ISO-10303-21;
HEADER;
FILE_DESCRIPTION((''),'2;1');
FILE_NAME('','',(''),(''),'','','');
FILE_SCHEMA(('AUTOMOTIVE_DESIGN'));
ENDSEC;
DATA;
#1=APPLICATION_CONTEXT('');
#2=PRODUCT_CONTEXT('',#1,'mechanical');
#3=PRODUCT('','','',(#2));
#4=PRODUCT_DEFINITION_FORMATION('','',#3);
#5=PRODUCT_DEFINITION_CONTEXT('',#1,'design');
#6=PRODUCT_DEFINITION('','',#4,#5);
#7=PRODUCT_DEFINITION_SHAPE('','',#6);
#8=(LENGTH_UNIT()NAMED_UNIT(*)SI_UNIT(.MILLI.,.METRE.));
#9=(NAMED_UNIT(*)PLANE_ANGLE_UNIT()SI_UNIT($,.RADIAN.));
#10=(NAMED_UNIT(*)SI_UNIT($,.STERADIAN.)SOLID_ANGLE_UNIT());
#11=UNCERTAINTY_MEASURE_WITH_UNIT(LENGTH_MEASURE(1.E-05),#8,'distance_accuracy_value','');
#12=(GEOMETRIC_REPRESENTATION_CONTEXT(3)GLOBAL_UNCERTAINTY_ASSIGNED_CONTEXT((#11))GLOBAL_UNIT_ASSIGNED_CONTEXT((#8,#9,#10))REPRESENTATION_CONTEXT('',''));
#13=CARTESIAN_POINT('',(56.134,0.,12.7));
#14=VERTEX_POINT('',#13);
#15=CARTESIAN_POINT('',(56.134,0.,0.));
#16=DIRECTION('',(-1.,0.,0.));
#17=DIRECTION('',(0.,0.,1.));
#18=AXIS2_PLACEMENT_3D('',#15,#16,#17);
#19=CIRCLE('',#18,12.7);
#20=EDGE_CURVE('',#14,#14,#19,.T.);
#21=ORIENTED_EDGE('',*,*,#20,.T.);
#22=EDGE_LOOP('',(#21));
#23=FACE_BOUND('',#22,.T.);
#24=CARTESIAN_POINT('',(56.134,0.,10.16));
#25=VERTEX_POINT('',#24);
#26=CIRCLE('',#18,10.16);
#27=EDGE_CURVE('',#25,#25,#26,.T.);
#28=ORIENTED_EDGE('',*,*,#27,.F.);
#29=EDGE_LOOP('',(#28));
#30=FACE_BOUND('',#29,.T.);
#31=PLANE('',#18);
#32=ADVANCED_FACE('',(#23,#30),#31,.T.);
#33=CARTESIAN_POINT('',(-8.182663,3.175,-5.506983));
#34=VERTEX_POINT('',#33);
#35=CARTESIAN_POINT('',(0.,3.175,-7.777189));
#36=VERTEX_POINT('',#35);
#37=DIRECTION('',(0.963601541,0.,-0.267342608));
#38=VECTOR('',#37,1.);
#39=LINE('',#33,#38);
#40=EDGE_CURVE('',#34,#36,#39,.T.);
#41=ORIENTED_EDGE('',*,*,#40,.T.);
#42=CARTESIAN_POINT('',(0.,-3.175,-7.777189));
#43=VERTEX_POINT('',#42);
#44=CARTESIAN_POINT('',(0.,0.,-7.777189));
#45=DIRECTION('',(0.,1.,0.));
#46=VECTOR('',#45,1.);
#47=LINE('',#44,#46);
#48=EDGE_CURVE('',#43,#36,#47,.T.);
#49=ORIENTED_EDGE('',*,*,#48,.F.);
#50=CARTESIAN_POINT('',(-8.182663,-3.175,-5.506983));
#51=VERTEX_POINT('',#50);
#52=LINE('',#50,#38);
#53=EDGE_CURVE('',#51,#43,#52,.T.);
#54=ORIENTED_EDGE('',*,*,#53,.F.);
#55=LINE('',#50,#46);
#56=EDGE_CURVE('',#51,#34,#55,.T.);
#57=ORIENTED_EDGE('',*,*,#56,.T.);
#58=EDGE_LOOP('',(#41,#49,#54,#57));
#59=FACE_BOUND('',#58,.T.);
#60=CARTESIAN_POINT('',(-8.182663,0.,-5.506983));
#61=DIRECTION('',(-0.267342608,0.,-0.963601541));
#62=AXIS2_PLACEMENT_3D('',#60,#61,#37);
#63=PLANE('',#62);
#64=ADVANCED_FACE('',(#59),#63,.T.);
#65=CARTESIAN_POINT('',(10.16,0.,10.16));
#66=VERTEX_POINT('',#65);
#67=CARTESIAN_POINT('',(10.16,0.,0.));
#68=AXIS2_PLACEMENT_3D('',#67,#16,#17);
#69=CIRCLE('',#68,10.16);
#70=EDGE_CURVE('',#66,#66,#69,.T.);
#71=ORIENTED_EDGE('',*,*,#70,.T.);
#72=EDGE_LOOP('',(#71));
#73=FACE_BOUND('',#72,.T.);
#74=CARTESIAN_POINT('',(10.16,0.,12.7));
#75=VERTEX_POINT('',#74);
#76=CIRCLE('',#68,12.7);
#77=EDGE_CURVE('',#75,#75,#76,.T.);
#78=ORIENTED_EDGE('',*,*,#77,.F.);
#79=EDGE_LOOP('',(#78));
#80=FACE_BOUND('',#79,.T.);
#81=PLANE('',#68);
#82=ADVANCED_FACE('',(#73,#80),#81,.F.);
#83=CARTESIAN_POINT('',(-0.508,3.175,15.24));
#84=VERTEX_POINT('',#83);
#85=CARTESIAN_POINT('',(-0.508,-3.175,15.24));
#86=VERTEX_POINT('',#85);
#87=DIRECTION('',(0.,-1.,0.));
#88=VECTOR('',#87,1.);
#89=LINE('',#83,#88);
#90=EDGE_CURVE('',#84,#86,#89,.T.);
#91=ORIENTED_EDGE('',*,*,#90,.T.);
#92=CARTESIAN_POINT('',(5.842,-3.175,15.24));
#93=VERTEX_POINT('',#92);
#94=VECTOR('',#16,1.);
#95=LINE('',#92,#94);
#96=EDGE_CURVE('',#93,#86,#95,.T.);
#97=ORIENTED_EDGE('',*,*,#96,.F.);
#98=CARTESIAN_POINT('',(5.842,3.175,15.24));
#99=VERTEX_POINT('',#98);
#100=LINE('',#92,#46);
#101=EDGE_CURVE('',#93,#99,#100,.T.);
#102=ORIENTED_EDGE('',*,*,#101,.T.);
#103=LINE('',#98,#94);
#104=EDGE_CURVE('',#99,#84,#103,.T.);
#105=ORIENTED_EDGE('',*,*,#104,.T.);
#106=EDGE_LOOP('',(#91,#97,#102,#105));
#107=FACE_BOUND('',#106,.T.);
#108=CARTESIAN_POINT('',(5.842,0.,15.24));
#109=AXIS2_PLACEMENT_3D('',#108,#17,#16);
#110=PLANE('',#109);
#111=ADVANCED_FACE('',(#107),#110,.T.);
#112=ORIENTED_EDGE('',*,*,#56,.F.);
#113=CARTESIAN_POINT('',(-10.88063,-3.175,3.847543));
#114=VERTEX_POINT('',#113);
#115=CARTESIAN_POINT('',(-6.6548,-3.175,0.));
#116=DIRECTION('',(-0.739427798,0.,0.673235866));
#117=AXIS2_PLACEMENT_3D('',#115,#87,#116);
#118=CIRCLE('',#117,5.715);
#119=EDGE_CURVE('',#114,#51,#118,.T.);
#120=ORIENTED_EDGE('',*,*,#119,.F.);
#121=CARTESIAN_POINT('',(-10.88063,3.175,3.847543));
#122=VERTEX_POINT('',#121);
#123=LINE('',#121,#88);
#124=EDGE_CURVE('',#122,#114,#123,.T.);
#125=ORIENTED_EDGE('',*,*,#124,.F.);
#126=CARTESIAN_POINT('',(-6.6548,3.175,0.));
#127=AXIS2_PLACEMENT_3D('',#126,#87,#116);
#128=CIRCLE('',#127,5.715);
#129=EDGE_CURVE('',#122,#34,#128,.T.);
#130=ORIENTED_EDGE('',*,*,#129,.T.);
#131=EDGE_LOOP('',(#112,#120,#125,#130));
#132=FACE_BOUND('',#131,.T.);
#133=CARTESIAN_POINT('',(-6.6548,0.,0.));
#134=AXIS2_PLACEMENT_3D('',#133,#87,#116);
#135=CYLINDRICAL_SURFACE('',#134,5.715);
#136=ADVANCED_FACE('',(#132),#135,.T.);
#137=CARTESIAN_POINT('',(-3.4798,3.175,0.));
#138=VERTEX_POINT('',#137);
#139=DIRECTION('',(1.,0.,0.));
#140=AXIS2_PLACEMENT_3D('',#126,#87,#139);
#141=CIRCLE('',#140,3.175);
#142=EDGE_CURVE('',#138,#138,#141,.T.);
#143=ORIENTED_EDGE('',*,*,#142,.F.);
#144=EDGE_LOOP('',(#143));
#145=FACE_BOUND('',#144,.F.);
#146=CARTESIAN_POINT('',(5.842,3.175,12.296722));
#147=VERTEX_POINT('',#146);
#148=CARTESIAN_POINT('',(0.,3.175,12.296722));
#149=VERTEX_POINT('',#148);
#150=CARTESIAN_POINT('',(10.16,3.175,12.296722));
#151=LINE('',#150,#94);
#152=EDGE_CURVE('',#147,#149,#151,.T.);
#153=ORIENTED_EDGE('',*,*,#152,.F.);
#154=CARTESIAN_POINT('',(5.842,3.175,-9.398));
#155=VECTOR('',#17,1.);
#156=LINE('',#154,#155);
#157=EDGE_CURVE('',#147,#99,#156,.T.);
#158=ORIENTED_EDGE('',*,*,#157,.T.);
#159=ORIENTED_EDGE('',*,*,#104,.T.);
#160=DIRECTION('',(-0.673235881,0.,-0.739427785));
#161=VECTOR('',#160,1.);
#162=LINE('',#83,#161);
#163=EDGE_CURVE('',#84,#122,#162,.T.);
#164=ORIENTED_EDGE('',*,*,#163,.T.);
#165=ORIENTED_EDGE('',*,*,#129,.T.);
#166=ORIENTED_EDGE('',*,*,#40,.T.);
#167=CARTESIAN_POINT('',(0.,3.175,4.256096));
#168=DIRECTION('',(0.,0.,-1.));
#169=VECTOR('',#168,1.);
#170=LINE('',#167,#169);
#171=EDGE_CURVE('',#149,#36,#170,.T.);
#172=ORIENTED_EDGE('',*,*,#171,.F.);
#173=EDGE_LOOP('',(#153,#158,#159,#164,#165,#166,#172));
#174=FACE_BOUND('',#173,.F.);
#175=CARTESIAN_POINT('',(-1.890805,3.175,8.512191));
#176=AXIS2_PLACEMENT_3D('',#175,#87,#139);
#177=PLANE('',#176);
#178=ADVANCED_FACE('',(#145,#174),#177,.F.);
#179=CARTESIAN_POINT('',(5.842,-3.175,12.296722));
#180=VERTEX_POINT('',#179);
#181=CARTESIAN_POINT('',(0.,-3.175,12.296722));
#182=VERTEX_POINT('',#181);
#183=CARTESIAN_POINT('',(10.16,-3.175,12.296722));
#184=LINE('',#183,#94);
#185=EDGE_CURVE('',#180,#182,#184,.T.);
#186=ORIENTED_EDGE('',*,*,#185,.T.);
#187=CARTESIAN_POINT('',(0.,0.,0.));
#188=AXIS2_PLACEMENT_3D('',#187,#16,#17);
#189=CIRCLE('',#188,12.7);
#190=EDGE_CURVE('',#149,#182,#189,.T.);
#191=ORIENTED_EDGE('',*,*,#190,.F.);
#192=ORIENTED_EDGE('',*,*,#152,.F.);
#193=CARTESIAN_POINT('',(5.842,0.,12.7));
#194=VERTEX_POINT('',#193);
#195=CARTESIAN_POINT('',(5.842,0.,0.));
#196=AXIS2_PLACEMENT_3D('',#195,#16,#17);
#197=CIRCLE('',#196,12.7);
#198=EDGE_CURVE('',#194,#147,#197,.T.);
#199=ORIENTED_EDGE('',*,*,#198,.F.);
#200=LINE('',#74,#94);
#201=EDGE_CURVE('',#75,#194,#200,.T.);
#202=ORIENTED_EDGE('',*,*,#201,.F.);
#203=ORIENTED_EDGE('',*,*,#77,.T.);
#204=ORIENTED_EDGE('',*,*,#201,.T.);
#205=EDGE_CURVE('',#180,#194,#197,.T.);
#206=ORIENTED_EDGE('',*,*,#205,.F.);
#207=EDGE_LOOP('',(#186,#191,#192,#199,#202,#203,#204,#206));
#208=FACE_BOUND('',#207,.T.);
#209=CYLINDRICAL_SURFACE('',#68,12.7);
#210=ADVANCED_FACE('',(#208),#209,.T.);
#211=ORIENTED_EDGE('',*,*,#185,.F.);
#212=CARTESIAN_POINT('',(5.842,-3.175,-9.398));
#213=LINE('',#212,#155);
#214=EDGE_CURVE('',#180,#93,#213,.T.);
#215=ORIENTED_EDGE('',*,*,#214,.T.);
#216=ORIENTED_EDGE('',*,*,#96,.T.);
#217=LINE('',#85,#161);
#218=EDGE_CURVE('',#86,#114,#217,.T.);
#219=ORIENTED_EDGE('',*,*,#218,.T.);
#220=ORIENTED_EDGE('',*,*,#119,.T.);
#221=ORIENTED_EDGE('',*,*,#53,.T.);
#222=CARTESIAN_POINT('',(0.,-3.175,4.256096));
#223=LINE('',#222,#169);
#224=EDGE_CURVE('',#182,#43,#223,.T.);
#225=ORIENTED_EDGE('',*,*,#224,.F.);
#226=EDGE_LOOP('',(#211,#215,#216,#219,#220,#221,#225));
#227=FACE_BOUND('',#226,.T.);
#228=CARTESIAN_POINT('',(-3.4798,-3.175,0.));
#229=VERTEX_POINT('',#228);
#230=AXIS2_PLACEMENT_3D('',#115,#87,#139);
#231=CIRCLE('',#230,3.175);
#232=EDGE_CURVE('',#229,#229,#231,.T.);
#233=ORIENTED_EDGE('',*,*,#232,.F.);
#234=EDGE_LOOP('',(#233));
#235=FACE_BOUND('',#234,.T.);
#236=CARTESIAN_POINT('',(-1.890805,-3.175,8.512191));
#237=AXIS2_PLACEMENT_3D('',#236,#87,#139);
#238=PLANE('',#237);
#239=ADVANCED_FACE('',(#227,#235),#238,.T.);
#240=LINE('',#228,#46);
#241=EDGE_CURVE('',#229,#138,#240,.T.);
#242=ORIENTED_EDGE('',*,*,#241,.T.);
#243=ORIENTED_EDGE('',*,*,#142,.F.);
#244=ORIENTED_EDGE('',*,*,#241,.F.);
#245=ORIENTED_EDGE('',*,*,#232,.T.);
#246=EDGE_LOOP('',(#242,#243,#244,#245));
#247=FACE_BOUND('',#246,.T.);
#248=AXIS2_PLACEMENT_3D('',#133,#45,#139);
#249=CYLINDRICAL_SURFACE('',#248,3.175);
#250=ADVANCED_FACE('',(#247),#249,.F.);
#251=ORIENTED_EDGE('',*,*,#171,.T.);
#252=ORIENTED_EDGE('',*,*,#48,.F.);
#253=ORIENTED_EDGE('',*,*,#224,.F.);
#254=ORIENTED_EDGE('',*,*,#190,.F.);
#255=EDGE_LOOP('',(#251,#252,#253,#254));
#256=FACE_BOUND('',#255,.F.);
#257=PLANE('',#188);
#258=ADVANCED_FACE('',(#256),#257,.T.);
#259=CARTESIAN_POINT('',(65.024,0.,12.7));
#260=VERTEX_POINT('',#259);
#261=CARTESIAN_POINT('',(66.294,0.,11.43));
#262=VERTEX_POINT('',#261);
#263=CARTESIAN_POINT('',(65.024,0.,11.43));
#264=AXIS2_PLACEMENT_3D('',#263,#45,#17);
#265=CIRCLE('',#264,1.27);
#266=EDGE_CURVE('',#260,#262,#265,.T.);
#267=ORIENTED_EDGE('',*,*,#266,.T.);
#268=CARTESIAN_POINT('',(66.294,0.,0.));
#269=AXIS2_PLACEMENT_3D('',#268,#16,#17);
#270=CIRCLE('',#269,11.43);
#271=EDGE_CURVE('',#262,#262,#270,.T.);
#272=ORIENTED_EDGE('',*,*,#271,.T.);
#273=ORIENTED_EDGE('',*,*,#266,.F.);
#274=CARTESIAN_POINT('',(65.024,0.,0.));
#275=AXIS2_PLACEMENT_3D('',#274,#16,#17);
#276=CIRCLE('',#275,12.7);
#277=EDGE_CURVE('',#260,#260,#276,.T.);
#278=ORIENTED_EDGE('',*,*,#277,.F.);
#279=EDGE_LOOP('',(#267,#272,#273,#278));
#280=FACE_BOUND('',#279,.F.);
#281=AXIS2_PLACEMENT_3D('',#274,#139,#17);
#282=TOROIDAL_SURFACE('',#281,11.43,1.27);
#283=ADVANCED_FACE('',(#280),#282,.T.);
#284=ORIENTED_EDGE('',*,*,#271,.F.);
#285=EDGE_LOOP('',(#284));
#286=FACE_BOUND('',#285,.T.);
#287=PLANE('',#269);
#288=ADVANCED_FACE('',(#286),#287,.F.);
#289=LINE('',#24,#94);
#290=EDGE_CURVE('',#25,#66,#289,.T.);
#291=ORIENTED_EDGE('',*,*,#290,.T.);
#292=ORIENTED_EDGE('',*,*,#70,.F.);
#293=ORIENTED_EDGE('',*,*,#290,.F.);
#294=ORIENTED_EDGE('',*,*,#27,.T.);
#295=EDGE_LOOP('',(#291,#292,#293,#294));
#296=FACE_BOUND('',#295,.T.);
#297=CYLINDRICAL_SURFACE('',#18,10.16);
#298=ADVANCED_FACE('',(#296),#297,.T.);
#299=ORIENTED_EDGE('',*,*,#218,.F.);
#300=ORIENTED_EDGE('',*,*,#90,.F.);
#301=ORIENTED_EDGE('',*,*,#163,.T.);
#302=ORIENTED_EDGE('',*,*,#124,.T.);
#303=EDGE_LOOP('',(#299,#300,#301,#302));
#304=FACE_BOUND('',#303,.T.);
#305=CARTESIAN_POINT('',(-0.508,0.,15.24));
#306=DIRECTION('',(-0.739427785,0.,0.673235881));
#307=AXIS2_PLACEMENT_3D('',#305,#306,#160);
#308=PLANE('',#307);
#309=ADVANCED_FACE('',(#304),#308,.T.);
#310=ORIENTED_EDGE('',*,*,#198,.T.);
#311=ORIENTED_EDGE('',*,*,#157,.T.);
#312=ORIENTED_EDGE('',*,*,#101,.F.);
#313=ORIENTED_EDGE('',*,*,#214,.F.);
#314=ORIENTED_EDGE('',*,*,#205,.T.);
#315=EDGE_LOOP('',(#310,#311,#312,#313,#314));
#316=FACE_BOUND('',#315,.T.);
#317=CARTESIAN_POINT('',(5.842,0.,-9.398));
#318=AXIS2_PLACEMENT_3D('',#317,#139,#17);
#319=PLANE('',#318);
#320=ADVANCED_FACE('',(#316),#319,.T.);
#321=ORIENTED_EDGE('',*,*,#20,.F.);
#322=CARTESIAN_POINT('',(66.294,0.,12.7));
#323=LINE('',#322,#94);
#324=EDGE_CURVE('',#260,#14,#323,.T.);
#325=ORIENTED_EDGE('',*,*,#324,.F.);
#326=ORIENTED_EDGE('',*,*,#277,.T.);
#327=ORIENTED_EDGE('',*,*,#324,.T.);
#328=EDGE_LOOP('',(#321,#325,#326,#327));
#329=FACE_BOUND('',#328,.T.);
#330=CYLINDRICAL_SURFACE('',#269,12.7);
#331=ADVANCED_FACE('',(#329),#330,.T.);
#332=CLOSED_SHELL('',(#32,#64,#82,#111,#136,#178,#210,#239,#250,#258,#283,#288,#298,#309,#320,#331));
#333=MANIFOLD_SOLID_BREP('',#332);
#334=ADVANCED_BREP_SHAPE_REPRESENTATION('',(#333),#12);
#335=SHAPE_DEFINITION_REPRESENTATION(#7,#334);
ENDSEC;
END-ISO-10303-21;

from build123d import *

# Parameters (mm, degrees)
F0_W     = 5.842
F0_H     = 12.7
F0_R     = 3.175
F2_DEPTH = 3.175
F3_R     = 1.27


with BuildPart() as f1:
    # F0 (on Front) → F1 (revolve)
    with BuildSketch(Plane.XZ):
        with Locations((2.921, 6.35)):
            Rectangle(F0_W, F0_H)
        Polygon((5.842, 12.7), (5.842, 0), (66.294, 0), (66.294, 12.7), (56.134, 12.7), (56.134, 10.16), (10.16, 10.16), (10.16, 12.7), align=None)
    revolve(axis=Axis((33.147, 0, 0), (-1, 0, 0)))

    # F0 (on Front) → F2 (join, symmetric)
    with BuildSketch(Plane.XZ):
        with BuildLine():
            Line((-0.9398, 0), (0, 0))
            Line((0, 0), (0, 12.7))
            Line((0, 12.7), (5.842, 12.7))
            Line((5.842, 12.7), (5.842, 15.24))
            Line((5.842, 15.24), (-0.508, 15.24))
            Line((-0.508, 15.24), (-10.88063, 3.847543))
            ThreePointArc((-10.88063, 3.847543), (-4.591961, 5.329721), (-0.9398, 0))
        make_face()
        with BuildLine():
            ThreePointArc((-8.182663, -5.506983), (-3.195791, -4.549339), (-0.9398, 0))
            ThreePointArc((-0.9398, 0), (-4.591961, 5.329721), (-10.88063, 3.847543))
            ThreePointArc((-10.88063, 3.847543), (-12.145978, -1.583727), (-8.182663, -5.506983))
        make_face()
        with Locations((-6.6548, 0)):
            Circle(F0_R, mode=Mode.SUBTRACT)
        with BuildLine():
            Line((5.842, 0), (0, 0))
            Line((0, 0), (-0.9398, 0))
            ThreePointArc((-0.9398, 0), (-3.195791, -4.549339), (-8.182663, -5.506983))
            Line((-8.182663, -5.506983), (5.842, -9.398))
            Line((5.842, -9.398), (5.842, 0))
        make_face()
        with Locations((2.921, 6.35)):
            Rectangle(F0_W, F0_H)
    extrude(amount=F2_DEPTH, both=True)

    # F3
    f3_edges = [f1.edges().sort_by_distance(p)[0] for p in [
        (66.294, 0, -12.7),
    ]]
    fillet(f3_edges, radius=F3_R)


solid = f1.part
